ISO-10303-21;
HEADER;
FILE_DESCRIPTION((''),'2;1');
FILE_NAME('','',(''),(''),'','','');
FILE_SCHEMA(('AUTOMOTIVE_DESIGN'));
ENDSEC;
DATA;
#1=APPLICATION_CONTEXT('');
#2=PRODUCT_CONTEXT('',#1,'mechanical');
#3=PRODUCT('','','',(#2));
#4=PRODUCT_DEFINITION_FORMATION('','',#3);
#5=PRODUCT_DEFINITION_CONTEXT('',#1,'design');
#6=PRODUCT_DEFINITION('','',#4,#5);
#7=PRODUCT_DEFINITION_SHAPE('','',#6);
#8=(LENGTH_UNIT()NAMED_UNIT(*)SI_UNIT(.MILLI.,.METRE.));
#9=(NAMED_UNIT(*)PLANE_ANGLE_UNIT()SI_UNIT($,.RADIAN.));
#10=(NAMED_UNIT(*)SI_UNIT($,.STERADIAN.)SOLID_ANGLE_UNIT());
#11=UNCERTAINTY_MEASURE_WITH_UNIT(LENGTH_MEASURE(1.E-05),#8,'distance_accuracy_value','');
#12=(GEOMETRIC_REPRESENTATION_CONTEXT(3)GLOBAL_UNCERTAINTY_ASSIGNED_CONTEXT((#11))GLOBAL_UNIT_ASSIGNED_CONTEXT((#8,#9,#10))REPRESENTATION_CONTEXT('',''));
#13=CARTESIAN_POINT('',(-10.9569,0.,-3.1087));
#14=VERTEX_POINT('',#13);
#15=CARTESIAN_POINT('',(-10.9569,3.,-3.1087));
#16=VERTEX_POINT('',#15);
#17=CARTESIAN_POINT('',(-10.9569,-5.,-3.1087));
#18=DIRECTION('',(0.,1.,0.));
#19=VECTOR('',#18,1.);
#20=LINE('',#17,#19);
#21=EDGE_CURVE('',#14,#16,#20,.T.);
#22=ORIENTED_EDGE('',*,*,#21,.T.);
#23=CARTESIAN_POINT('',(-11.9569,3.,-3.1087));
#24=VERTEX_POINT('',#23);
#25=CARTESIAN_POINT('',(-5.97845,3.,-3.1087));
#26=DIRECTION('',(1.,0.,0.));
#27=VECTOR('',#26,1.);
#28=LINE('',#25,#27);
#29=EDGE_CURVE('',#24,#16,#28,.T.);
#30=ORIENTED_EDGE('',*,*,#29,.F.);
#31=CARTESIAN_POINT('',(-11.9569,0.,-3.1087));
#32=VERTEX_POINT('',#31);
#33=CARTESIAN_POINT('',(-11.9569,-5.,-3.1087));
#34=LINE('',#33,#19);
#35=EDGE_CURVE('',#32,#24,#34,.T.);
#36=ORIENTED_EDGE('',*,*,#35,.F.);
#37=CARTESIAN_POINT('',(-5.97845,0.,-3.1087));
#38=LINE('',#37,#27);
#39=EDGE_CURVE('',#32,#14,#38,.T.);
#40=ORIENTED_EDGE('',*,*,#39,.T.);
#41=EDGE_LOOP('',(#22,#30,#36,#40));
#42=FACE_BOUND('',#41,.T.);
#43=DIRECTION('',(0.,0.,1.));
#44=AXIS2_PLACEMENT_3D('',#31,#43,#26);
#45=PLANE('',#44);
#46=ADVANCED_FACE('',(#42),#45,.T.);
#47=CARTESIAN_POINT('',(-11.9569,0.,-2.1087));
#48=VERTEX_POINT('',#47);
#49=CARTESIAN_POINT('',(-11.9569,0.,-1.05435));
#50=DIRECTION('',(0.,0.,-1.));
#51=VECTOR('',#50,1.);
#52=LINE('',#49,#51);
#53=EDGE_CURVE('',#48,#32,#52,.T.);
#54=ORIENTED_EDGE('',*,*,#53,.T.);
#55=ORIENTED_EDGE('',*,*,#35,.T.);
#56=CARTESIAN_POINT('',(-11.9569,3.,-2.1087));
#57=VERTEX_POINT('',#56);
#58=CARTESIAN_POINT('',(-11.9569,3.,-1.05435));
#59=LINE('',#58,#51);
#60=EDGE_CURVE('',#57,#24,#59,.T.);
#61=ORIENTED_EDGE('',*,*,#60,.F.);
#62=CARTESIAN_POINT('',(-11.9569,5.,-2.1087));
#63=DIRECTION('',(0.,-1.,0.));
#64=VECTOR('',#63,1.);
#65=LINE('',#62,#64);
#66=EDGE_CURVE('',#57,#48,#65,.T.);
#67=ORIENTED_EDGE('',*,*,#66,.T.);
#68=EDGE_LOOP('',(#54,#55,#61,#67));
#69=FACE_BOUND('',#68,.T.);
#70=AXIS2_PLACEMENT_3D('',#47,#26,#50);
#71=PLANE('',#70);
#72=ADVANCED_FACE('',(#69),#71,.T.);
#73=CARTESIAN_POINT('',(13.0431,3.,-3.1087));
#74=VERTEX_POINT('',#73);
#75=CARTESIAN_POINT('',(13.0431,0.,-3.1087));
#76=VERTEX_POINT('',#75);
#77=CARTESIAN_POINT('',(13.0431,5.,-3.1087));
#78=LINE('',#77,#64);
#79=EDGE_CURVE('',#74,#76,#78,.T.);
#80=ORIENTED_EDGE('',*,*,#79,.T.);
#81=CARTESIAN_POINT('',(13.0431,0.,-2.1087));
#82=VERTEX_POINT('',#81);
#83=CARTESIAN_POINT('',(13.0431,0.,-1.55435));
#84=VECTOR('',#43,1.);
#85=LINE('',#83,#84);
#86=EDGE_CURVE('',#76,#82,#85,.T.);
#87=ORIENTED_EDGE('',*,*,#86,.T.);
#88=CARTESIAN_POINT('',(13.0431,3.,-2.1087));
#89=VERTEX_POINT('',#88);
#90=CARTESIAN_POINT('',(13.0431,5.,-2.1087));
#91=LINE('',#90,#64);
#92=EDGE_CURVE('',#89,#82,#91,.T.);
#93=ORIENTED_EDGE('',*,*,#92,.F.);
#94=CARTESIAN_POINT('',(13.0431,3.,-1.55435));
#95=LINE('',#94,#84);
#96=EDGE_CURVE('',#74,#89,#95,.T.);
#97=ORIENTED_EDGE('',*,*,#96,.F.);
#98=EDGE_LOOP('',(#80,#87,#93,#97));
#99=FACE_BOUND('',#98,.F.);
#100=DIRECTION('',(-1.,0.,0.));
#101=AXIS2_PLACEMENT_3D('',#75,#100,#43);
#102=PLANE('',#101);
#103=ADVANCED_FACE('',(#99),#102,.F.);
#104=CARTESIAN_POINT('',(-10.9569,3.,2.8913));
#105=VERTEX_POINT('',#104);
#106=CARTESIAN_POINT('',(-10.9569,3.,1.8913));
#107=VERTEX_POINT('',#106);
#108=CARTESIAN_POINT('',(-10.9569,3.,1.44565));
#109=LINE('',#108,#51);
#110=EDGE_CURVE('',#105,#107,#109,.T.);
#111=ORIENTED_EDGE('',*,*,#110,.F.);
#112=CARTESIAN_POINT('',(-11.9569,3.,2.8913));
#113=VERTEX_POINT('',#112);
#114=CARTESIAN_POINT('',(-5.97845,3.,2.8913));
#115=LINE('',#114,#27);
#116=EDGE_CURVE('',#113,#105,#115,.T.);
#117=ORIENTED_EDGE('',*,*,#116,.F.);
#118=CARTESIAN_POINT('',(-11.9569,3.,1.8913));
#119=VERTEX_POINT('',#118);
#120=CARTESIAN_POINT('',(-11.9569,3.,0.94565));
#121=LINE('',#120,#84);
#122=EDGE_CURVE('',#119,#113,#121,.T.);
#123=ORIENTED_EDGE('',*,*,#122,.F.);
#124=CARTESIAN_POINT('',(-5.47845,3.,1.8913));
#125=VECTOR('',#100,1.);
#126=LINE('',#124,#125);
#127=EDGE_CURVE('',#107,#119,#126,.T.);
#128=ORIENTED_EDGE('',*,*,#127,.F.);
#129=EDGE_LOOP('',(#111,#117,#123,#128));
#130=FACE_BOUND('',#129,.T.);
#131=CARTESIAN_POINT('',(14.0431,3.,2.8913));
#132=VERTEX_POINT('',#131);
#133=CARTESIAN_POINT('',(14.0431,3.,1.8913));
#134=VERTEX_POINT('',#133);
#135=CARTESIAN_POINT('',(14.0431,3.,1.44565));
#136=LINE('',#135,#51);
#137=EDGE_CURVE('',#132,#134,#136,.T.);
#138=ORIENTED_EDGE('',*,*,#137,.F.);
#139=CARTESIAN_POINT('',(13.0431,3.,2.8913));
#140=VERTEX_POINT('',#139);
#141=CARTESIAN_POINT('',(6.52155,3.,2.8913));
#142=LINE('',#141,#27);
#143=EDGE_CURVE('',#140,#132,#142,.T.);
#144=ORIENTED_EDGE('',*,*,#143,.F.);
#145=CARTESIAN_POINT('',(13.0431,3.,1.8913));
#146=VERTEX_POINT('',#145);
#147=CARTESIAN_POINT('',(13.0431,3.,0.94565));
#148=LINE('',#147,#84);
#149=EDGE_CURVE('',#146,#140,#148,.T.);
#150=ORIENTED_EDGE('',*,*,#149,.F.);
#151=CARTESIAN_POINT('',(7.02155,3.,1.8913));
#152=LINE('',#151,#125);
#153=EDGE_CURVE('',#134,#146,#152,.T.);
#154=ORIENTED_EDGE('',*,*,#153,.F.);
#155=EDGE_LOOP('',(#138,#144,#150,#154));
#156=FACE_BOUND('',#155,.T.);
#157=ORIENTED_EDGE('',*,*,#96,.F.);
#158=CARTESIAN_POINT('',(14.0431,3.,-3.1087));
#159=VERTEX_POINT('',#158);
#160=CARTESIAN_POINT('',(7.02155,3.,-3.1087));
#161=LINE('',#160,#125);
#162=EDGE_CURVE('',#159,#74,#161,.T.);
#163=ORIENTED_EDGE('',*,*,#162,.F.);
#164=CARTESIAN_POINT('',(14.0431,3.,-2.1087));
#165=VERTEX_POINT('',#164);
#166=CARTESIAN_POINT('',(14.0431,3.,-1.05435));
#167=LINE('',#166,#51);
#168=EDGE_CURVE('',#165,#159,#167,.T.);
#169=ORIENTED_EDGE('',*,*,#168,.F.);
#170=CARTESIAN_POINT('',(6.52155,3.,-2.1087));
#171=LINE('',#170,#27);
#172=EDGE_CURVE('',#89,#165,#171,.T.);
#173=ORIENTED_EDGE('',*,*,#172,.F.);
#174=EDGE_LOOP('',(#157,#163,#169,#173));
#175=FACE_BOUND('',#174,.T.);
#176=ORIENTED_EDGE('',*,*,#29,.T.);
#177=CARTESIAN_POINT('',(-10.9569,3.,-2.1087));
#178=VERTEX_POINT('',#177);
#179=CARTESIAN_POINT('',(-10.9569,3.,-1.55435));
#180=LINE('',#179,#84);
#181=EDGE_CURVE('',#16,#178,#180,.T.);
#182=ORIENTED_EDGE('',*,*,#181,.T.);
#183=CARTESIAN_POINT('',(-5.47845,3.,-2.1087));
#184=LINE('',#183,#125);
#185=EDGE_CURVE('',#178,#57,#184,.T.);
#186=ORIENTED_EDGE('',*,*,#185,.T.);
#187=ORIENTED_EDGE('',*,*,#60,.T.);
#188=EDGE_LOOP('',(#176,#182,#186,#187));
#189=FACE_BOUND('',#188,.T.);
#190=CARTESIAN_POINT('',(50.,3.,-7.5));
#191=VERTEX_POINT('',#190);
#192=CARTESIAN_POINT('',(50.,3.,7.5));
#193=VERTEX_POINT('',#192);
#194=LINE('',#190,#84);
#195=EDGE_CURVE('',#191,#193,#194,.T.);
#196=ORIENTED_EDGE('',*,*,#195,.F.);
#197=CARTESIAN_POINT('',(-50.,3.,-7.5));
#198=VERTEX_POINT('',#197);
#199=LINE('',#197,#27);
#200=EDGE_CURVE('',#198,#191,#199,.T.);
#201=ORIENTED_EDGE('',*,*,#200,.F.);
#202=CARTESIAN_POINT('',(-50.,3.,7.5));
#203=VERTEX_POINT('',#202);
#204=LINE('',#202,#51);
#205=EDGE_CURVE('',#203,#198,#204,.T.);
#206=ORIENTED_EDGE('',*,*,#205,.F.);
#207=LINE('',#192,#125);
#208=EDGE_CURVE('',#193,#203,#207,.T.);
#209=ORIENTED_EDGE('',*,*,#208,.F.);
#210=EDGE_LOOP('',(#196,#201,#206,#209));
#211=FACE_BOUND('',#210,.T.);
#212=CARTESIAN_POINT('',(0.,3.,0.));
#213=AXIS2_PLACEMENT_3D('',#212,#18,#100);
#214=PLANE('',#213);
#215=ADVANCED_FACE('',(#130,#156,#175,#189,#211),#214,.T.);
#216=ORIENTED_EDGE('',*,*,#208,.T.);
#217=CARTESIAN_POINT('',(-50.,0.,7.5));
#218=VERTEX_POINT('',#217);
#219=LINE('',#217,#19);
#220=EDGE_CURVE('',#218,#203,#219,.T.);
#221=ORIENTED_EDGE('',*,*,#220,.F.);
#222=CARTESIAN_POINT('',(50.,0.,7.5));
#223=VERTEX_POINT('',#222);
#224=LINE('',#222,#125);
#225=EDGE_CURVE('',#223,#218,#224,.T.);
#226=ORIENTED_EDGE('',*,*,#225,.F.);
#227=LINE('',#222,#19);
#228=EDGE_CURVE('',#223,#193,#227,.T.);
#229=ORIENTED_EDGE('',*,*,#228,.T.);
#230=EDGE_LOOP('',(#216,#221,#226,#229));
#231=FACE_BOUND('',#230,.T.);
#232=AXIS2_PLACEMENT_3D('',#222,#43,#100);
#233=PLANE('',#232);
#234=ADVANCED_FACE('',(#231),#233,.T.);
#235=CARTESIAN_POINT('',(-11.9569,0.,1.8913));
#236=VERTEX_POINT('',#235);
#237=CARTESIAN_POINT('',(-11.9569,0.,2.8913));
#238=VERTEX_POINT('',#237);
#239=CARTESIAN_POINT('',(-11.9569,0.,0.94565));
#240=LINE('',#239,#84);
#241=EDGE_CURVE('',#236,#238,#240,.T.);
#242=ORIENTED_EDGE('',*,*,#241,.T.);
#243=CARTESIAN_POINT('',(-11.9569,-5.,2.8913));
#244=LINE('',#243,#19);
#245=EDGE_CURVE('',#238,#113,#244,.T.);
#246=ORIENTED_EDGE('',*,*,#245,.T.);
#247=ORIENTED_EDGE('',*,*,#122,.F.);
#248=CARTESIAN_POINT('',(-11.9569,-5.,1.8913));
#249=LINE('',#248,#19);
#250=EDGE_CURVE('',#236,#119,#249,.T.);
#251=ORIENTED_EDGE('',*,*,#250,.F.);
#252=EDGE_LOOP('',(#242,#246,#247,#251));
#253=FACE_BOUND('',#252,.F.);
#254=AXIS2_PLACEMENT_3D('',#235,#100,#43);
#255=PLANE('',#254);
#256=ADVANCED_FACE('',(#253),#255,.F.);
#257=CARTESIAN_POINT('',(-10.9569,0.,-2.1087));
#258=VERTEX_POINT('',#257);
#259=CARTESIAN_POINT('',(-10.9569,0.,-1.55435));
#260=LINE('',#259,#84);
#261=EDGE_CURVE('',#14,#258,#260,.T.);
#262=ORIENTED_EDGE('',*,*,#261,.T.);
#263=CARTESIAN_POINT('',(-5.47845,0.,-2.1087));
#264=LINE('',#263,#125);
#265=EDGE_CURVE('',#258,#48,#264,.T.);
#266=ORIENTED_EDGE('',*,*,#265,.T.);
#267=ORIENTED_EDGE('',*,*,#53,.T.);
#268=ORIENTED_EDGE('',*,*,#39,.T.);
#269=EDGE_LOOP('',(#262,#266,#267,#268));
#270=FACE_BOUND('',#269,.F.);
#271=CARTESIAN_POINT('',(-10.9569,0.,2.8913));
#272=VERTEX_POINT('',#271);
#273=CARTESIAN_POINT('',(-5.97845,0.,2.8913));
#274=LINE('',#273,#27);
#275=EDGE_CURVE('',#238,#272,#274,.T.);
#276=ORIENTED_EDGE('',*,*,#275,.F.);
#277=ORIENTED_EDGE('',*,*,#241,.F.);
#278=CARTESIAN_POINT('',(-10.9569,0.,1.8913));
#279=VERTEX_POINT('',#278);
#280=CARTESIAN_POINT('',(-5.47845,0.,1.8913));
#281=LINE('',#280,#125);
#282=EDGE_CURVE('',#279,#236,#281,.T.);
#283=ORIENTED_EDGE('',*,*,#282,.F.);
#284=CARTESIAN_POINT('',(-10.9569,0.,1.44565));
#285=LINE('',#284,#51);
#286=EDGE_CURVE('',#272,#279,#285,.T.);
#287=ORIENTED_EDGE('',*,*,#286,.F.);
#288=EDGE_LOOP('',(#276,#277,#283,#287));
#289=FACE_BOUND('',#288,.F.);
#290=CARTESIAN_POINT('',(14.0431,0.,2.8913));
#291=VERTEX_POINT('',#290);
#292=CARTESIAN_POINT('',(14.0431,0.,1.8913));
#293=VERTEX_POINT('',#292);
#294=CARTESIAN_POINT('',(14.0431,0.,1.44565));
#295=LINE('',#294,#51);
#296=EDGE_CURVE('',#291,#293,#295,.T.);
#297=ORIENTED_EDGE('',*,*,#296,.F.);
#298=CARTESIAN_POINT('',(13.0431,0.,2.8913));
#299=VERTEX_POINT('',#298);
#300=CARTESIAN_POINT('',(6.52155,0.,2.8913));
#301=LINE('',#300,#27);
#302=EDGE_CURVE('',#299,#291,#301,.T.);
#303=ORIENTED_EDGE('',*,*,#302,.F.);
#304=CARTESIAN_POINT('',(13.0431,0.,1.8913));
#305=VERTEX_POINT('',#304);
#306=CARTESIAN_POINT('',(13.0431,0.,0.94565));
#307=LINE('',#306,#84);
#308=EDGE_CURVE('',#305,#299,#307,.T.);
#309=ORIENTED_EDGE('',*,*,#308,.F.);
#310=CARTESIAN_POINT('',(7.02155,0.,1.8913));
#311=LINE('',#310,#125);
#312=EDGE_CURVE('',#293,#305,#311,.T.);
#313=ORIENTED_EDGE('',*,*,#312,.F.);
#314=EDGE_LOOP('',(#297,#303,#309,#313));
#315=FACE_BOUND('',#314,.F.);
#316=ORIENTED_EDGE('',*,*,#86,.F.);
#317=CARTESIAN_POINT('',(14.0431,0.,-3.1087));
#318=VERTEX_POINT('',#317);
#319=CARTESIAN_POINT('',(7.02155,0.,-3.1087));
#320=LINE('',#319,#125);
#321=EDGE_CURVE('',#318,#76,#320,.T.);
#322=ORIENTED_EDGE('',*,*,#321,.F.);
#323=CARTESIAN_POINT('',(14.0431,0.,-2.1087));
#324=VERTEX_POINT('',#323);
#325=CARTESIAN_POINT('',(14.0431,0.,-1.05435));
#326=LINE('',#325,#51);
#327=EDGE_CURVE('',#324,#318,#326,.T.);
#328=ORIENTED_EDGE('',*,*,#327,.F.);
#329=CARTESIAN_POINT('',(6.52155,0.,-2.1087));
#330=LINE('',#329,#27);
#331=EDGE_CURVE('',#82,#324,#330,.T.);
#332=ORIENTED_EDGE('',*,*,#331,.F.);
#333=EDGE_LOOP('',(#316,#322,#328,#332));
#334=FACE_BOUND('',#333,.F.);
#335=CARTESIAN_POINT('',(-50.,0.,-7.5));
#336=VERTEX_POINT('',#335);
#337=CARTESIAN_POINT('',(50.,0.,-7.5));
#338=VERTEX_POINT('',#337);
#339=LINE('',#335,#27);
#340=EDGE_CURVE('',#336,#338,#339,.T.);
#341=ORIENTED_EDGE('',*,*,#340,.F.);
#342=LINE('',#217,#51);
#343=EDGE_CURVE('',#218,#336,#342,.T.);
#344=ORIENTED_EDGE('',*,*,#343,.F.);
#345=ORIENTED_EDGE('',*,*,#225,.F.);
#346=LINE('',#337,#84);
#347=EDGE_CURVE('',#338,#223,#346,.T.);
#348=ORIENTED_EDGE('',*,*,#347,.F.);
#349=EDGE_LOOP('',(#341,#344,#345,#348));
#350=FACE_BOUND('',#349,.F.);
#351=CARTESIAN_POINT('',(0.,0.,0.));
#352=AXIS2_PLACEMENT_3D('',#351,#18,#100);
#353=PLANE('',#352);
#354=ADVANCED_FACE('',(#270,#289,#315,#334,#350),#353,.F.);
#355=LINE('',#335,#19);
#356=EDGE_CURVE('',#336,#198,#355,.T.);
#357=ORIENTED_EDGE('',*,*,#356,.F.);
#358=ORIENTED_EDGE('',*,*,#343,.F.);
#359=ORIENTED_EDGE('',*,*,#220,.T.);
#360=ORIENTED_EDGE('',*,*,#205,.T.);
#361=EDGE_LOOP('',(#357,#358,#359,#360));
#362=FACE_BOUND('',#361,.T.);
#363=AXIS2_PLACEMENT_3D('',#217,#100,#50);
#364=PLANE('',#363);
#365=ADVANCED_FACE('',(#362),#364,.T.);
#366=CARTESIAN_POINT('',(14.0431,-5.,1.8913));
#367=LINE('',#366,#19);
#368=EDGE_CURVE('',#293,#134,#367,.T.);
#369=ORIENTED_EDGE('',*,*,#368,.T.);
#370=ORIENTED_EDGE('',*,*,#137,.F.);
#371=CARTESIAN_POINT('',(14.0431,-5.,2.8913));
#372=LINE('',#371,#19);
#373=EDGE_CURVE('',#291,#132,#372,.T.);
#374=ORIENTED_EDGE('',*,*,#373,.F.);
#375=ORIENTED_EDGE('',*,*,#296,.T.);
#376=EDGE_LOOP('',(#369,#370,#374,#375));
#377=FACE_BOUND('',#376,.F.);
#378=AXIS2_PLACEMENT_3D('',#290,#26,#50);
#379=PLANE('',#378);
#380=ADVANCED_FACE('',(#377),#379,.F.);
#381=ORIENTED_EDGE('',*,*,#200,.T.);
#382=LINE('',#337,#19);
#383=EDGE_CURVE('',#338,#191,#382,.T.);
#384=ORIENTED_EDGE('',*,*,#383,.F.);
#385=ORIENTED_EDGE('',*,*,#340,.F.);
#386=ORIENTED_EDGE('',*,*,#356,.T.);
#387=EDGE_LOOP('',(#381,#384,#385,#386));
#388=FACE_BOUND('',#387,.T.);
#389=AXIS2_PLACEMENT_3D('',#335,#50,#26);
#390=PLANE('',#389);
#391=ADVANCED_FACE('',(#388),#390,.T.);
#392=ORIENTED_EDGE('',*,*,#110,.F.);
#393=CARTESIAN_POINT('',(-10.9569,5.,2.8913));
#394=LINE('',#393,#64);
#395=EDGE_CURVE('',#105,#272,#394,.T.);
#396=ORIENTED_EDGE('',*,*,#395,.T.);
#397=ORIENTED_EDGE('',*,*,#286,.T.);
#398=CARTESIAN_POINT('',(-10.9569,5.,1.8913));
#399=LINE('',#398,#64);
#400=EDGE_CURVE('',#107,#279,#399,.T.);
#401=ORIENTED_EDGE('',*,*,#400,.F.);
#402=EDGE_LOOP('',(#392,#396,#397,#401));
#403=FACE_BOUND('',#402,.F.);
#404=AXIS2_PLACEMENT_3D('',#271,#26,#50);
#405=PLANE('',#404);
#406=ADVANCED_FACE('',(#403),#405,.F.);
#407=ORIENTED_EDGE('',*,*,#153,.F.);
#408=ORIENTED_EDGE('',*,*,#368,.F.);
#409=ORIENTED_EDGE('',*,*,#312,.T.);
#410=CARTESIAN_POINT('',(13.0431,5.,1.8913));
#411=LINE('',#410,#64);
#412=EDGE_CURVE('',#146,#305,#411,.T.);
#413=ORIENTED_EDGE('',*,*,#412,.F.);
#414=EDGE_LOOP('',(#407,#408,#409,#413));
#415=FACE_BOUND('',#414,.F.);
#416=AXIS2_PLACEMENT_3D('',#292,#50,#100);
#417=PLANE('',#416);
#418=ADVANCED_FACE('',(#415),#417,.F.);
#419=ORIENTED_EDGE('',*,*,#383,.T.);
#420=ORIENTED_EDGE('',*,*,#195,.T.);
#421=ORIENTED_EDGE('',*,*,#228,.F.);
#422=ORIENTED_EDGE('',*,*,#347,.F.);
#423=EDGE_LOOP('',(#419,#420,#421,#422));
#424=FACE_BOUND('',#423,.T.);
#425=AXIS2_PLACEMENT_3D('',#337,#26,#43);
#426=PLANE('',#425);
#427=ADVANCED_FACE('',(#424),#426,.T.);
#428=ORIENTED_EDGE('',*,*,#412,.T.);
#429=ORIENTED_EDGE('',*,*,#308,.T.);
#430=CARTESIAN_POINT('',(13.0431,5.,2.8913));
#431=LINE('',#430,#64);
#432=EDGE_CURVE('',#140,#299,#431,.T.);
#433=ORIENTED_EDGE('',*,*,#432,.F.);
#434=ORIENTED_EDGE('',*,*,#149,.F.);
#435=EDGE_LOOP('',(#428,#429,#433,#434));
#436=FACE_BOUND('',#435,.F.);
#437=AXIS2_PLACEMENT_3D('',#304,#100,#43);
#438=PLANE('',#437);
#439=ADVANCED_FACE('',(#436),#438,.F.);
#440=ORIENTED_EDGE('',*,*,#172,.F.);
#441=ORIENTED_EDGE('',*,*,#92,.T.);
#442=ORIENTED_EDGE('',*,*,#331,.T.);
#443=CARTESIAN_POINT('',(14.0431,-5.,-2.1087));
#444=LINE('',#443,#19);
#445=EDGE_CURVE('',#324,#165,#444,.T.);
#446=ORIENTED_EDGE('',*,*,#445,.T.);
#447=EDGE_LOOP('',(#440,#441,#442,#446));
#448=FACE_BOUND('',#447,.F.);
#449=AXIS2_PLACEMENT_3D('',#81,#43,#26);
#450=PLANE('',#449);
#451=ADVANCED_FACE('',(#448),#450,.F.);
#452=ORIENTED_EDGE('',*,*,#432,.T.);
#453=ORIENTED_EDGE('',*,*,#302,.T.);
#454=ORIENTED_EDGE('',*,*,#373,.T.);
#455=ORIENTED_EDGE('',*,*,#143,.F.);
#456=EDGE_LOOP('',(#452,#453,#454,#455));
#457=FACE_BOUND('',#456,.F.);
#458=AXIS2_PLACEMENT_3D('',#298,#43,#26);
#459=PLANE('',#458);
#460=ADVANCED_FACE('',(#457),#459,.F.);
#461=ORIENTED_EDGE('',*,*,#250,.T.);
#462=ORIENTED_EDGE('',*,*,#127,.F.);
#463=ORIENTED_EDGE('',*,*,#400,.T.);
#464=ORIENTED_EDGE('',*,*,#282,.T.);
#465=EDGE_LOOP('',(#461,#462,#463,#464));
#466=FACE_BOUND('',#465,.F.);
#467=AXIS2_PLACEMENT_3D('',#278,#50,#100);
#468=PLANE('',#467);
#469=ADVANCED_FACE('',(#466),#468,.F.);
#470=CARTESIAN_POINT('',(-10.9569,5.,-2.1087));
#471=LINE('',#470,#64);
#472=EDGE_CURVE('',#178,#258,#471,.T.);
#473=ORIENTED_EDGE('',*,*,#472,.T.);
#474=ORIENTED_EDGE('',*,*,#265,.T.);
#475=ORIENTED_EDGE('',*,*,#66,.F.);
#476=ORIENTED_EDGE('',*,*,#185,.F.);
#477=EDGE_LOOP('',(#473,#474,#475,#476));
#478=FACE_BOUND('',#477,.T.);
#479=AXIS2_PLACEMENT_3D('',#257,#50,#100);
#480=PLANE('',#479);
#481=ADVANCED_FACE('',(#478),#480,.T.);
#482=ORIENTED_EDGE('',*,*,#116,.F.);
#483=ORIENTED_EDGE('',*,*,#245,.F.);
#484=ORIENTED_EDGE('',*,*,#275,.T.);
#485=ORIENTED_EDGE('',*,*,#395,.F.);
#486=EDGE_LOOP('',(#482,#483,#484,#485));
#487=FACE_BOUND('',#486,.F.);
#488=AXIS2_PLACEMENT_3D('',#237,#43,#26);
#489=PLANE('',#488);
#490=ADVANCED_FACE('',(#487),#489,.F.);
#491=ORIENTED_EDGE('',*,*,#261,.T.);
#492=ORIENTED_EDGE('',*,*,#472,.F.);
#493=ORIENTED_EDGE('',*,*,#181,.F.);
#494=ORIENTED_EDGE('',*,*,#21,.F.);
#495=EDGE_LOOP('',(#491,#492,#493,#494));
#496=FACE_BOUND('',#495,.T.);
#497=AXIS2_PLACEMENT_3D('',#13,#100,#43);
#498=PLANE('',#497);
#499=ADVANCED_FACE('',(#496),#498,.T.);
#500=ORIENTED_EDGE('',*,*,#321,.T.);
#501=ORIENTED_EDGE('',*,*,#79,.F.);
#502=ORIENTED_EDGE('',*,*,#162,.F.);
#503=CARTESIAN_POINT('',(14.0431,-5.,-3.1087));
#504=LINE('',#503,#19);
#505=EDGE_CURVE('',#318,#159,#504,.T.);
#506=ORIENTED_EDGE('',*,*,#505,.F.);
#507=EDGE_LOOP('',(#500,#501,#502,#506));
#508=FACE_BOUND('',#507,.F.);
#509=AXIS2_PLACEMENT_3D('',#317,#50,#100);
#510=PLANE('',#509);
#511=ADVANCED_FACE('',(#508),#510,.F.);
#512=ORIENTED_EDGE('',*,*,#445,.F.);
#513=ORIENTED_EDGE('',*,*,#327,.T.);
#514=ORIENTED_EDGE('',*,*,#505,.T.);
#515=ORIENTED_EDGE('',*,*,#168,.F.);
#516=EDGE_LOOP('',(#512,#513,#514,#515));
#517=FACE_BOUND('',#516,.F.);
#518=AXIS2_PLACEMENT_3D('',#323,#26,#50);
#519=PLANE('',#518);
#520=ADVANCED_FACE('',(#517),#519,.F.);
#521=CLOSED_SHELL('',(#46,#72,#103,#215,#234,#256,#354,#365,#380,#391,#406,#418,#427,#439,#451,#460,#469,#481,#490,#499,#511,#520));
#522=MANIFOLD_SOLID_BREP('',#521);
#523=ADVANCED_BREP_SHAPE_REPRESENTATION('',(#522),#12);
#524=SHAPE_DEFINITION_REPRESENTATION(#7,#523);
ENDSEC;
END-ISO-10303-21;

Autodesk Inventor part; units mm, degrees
ref_plane "YZ Plane" through (0, 0, 0) normal (1, 0, 0) x (0, 1, 0)
ref_plane "XZ Plane" through (0, 0, 0) normal (0, 1, 0) x (-1, 0, 0)
ref_plane "XY Plane" through (0, 0, 0) normal (0, 0, 1) x (1, 0, 0)
sketch "Sketch1" plane through (0, 0, 0) normal (0, 1, 0) x (-1, 0, 0)
  line L0 (-50, 7.5) -> (50, 7.5)
  line L1 (50, 7.5) -> (50, -7.5)
  line L2 (50, -7.5) -> (-50, -7.5)
  line L3 (-50, -7.5) -> (-50, 7.5)
  point P0 (0, 0)
  dimension "d2" = 100
  dimension "d3" = 15
extrude "Extrusion1" add sketch "Sketch1" along normal blind 3
sketch "Sketch2" plane through (0, 0, 0) normal (0, -1, 0) x (1, 0, 0)
  line L0 (13.0431, 2.8913) -> (14.0431, 2.8913)
  line L1 (14.0431, 2.8913) -> (14.0431, 1.8913)
  line L2 (14.0431, 1.8913) -> (13.0431, 1.8913)
  line L3 (13.0431, 1.8913) -> (13.0431, 2.8913)
  line L4 (13.0431, -2.1087) -> (14.0431, -2.1087)
  line L5 (14.0431, -2.1087) -> (14.0431, -3.1087)
  line L6 (14.0431, -3.1087) -> (13.0431, -3.1087)
  line L7 (13.0431, -3.1087) -> (13.0431, -2.1087)
  line L8 (-10.9569, 1.8913) -> (-11.9569, 1.8913)
  line L9 (-11.9569, 1.8913) -> (-11.9569, 2.8913)
  line L10 (-11.9569, 2.8913) -> (-10.9569, 2.8913)
  line L11 (-10.9569, 2.8913) -> (-10.9569, 1.8913)
  line L12 (-10.9569, -2.1087) -> (-11.9569, -2.1087)
  line L13 (-11.9569, -2.1087) -> (-11.9569, -3.1087)
  line L14 (-11.9569, -3.1087) -> (-10.9569, -3.1087)
  line L15 (-10.9569, -3.1087) -> (-10.9569, -2.1087)
  point P0 (0, 0)
  dimension "d7" = 1
  dimension "d8" = 4
  dimension "d9" = 1
  dimension "d10" = 1
  dimension "d11" = 24
  dimension "d12" = 1
  dimension "d13" = 1
  dimension "d14" = 4
  dimension "d15" = 1
  dimension "d16" = 1
extrude "Extrusion2" cut sketch "Sketch2" along normal mid plane 10
properties part number "Placa do Circuito"
